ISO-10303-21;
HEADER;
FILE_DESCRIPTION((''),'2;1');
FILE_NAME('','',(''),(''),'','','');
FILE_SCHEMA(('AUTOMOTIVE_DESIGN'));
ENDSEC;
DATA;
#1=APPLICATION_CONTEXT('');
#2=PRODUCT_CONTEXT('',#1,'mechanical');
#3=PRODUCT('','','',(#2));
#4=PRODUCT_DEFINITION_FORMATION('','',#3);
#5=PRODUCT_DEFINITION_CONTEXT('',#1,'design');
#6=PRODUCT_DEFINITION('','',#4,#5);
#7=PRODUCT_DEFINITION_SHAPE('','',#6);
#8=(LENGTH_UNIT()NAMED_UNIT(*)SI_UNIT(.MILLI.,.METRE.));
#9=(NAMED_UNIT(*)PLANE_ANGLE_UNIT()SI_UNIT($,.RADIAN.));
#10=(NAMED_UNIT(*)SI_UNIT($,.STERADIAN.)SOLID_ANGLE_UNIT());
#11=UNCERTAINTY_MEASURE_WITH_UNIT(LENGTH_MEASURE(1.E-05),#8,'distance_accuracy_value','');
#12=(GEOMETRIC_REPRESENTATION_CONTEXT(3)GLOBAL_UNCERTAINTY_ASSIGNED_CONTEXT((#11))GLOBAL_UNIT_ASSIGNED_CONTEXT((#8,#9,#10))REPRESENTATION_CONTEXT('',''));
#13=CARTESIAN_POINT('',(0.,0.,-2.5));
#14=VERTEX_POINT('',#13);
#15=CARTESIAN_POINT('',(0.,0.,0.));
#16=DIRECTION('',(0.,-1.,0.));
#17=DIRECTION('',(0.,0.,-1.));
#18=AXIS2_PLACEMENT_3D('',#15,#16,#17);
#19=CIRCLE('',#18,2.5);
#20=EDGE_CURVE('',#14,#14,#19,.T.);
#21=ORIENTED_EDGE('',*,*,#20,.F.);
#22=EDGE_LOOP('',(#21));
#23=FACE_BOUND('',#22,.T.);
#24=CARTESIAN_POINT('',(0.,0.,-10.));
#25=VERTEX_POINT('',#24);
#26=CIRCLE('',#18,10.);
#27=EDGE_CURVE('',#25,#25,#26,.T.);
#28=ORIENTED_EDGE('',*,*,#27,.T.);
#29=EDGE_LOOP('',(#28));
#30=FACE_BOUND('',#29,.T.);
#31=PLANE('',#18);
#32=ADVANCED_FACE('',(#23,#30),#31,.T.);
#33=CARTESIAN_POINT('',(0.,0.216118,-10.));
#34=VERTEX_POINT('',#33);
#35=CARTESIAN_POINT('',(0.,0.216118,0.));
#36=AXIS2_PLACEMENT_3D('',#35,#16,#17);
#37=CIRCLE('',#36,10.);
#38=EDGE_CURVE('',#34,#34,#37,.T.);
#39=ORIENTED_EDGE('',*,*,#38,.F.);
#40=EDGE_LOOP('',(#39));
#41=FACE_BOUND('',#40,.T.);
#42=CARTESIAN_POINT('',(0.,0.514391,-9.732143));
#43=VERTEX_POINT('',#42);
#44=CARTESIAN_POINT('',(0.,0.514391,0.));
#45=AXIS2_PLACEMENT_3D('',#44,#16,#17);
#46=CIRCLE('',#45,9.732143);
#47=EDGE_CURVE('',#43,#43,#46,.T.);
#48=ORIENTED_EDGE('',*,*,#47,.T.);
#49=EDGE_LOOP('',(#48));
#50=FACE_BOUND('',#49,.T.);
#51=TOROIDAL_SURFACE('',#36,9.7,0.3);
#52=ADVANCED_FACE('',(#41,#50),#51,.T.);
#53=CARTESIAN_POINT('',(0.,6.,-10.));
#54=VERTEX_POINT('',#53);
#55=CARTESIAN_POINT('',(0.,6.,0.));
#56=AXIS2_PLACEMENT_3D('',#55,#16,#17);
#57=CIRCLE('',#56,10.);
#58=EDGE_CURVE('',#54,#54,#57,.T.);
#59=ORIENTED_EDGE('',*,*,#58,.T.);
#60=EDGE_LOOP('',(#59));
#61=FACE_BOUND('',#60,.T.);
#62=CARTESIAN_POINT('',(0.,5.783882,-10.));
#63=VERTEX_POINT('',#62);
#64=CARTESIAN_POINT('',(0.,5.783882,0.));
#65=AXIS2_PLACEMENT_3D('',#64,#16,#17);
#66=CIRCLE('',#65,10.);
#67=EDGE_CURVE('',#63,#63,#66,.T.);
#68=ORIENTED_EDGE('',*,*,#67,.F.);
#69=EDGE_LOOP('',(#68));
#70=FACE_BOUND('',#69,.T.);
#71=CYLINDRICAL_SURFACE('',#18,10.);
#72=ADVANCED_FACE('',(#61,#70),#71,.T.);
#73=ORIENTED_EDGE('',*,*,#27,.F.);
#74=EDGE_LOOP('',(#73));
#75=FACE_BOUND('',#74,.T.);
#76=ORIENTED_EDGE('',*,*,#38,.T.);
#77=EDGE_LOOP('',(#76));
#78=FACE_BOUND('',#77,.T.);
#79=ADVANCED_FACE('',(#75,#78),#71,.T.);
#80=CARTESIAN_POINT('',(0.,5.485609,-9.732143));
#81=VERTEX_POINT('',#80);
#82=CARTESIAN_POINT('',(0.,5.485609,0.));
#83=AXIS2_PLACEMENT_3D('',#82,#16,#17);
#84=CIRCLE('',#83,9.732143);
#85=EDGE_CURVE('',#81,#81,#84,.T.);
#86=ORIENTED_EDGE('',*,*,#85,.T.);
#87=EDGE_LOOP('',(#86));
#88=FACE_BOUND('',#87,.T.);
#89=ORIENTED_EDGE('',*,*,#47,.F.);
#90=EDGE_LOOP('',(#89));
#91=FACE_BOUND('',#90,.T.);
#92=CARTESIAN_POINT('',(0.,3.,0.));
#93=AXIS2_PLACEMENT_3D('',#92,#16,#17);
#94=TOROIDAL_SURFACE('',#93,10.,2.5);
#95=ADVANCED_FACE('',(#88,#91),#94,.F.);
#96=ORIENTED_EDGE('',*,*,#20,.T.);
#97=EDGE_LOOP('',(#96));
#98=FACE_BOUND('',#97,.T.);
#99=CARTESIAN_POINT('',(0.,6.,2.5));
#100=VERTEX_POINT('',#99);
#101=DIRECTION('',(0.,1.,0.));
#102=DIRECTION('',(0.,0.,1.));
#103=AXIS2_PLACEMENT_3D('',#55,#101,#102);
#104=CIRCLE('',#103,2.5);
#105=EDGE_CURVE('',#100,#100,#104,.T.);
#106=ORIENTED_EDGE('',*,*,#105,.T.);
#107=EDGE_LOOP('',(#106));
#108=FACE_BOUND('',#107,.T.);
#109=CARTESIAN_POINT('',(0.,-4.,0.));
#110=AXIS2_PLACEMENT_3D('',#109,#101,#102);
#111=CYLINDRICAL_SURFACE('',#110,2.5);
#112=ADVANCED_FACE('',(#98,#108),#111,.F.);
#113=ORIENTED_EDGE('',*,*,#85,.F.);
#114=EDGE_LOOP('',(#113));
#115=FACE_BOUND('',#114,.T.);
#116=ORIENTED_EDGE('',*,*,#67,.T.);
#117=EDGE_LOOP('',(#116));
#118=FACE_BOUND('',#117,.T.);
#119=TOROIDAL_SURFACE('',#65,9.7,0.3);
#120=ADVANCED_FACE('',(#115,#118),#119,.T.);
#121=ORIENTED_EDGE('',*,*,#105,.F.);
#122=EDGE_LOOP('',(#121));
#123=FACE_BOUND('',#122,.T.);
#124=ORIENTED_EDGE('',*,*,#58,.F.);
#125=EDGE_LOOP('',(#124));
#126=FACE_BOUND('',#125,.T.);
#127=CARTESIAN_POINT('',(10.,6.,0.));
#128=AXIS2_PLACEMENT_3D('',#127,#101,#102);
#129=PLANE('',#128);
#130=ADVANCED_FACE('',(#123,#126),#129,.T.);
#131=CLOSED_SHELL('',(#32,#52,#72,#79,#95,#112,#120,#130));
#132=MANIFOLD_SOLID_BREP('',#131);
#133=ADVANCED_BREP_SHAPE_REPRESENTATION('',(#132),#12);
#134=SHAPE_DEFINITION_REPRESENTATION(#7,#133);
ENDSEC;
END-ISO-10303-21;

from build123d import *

# Parameters (mm, degrees)
SKETCH3_R          = 2.5
CUT_EXTRUDE1_DEPTH = 10


with BuildPart() as part:
    # Sketch2 → Revolve1 (revolve)
    with BuildSketch(Plane.XY, mode=Mode.PRIVATE) as revolve1_sk:
        with BuildLine():
            Line((0, 0), (10, 0))
            Line((10, 0), (10, 0.216117819))
            ThreePointArc((10, 0.216117819), (9.923207143, 0.41656375), (9.732142857, 0.514390909))
            ThreePointArc((9.732142857, 0.514390909), (7.5, 3), (9.732142857, 5.485609091))
            ThreePointArc((9.732142857, 5.485609091), (9.923207143, 5.58343625), (10, 5.783882181))
            Line((10, 5.783882181), (10, 6))
            Line((10, 6), (0, 6))
            Line((0, 6), (0, 0))
        make_face()
    revolve(revolve1_sk.sketch.rotate(Axis((0, 0, 0), (0, 1, 0)), 90), axis=Axis((0, 0, 0), (0, 1, 0)))

    # Sketch3 → Cut-Extrude1 (cut)
    with BuildSketch(Plane(origin=(0, 6, 0), x_dir=(1, 0, 0), z_dir=(0, 1, 0))):
        with Locations(Location((0, 0, 0), (0, 0, 270))):
            Circle(SKETCH3_R)
    extrude(amount=-CUT_EXTRUDE1_DEPTH, mode=Mode.SUBTRACT)


solid = part.part
